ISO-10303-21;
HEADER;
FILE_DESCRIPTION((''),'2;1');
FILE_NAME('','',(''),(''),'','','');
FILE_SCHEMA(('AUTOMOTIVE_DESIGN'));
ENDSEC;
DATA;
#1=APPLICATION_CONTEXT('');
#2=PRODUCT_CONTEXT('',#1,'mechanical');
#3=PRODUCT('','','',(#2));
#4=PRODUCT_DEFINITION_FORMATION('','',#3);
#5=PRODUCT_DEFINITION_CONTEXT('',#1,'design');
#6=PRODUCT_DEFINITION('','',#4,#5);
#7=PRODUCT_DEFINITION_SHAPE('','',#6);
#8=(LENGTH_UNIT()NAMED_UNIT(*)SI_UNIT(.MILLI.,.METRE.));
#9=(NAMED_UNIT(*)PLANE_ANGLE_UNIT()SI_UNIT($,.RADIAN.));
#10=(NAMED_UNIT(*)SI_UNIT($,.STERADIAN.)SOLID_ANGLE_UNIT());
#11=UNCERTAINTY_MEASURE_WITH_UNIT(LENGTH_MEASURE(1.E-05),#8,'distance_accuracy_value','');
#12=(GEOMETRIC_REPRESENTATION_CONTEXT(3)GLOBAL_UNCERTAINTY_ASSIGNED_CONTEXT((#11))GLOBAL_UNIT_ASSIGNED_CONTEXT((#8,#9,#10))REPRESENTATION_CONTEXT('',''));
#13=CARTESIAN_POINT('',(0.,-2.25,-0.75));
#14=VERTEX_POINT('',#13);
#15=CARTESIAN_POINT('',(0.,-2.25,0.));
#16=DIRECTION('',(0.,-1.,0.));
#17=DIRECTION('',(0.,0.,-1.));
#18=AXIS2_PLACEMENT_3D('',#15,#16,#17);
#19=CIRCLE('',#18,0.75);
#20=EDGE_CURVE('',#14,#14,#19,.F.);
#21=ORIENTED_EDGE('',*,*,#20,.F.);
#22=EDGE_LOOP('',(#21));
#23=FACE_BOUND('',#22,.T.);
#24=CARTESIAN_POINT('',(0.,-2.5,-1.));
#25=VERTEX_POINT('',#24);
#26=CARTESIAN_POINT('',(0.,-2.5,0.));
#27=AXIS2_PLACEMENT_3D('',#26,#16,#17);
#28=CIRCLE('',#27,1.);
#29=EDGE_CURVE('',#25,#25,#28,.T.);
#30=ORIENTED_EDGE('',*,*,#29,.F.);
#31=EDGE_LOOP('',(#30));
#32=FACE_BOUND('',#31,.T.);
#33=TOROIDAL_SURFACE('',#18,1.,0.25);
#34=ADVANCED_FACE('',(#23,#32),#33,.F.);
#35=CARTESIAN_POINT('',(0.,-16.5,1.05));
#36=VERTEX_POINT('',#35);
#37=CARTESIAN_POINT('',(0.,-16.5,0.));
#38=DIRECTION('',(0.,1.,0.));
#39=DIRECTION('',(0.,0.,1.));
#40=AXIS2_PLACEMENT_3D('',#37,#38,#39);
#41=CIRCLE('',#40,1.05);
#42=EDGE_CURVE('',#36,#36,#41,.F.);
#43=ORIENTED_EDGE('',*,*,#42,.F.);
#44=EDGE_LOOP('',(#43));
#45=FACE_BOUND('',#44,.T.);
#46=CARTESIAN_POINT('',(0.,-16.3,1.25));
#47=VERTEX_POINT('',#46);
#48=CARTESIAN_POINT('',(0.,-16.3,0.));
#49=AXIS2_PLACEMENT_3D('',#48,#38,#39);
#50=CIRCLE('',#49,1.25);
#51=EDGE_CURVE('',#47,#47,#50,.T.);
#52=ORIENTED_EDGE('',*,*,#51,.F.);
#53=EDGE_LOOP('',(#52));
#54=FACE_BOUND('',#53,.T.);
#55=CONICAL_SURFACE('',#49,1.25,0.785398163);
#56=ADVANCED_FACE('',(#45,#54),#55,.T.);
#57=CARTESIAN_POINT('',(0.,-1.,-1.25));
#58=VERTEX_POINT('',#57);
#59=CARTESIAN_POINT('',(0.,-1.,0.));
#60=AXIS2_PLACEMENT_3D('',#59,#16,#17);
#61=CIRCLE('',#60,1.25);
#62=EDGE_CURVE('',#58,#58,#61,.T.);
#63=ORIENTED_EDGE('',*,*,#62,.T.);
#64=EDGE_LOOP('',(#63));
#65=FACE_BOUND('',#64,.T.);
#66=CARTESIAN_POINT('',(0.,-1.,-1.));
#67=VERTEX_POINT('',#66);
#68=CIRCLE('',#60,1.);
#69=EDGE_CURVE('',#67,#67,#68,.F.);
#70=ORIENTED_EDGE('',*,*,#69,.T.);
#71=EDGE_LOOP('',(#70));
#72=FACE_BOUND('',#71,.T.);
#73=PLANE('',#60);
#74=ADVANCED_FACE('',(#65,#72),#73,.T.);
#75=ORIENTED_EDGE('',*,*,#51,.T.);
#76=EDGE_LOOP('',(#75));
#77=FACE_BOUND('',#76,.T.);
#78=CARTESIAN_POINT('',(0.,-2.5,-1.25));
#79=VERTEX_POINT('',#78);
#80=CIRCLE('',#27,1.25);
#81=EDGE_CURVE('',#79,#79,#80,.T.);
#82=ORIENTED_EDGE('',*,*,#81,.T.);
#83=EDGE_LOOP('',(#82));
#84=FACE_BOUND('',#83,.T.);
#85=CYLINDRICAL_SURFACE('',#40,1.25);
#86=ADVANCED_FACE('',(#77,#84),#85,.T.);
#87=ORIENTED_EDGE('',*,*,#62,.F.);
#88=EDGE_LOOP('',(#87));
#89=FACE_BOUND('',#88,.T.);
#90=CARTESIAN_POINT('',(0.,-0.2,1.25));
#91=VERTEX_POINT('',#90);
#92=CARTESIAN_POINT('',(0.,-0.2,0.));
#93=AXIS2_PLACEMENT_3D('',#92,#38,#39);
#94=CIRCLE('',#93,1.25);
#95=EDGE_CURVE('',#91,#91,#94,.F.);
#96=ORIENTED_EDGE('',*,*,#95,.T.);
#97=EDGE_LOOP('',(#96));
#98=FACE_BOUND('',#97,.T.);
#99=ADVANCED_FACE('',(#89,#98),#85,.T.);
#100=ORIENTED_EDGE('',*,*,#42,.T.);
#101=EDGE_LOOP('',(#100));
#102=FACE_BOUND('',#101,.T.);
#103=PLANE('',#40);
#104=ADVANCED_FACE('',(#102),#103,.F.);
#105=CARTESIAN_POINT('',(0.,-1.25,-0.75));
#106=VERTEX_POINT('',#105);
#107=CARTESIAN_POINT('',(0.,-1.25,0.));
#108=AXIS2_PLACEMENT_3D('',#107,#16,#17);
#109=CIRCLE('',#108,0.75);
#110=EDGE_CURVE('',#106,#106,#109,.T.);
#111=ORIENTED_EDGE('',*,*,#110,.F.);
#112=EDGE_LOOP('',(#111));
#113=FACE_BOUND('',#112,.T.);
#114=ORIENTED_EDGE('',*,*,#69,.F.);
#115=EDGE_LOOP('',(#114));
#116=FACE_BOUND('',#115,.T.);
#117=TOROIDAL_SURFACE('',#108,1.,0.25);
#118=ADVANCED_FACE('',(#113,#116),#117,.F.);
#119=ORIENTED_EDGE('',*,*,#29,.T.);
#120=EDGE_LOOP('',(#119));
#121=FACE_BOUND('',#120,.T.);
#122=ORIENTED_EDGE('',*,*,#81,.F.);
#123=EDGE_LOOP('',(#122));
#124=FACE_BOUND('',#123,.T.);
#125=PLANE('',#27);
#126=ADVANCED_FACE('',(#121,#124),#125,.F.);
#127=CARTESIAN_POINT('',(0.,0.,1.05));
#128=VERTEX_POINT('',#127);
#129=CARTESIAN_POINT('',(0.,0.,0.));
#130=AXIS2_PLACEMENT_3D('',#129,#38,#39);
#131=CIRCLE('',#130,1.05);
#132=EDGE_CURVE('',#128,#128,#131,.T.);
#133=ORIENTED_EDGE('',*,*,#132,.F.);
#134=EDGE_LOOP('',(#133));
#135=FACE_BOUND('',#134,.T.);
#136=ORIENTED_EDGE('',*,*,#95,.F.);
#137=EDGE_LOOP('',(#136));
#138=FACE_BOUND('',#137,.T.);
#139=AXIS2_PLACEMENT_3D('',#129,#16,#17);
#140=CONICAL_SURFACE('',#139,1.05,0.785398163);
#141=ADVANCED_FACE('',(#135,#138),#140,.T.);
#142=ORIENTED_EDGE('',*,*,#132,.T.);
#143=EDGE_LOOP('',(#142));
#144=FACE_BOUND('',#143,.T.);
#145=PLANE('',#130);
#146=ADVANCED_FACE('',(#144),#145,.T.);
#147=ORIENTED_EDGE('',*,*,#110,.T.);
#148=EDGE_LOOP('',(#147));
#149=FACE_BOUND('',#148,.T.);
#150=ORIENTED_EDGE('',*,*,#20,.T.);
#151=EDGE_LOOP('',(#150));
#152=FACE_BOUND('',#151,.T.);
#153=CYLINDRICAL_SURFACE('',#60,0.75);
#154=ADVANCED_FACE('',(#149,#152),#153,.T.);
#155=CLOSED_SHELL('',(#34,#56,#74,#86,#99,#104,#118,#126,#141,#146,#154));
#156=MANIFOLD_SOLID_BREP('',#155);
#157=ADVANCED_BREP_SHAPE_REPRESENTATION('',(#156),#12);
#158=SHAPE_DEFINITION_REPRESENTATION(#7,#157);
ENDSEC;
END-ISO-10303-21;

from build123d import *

# Parameters (mm, degrees)
SKETCH1_R      = 1.25
EXTRUDE1_DEPTH = 16.5
CHAMFER1_SIZE  = 0.2
SKETCH2_R      = 1.25
SKETCH2_R_2    = 0.75
EXTRUDE2_DEPTH = 1.5
FILLET1_R      = 0.25


with BuildPart() as part:
    # Sketch1 → Extrude1 (new body)
    with BuildSketch(Plane(origin=(0, 0, 0), x_dir=(1, 0, 0), z_dir=(0, 1, 0))):
        with Locations(Location((0, 0, 0), (0, 0, 270))):  # turned: the seam where the file's is
            Circle(SKETCH1_R)
    extrude(amount=-EXTRUDE1_DEPTH)

    # Chamfer1
    chamfer1_edges = [part.edges().sort_by_distance(p)[0] for p in [
        (0, 0, -1.25),
        (0, -16.5, -1.25),
    ]]
    chamfer(chamfer1_edges, length=CHAMFER1_SIZE)

    # Sketch2 → Extrude2 (cut)
    with BuildSketch(Plane.XZ.offset(2.5)):
        with Locations(Location((0, 0, 0), (0, 0, 90))):  # turned: the seam where the file's is
            Circle(SKETCH2_R)
        with Locations(Location((0, 0, 0), (0, 0, 270))):  # turned: the seam where the file's is
            Circle(SKETCH2_R_2, mode=Mode.SUBTRACT)
    extrude(amount=-EXTRUDE2_DEPTH, mode=Mode.SUBTRACT)

    # Fillet1
    fillet1_edges = [part.edges().sort_by_distance(p)[0] for p in [
        (0, -1, 0.75),
        (0, -2.5, 0.75),
    ]]
    fillet(fillet1_edges, radius=FILLET1_R)


solid = part.part
